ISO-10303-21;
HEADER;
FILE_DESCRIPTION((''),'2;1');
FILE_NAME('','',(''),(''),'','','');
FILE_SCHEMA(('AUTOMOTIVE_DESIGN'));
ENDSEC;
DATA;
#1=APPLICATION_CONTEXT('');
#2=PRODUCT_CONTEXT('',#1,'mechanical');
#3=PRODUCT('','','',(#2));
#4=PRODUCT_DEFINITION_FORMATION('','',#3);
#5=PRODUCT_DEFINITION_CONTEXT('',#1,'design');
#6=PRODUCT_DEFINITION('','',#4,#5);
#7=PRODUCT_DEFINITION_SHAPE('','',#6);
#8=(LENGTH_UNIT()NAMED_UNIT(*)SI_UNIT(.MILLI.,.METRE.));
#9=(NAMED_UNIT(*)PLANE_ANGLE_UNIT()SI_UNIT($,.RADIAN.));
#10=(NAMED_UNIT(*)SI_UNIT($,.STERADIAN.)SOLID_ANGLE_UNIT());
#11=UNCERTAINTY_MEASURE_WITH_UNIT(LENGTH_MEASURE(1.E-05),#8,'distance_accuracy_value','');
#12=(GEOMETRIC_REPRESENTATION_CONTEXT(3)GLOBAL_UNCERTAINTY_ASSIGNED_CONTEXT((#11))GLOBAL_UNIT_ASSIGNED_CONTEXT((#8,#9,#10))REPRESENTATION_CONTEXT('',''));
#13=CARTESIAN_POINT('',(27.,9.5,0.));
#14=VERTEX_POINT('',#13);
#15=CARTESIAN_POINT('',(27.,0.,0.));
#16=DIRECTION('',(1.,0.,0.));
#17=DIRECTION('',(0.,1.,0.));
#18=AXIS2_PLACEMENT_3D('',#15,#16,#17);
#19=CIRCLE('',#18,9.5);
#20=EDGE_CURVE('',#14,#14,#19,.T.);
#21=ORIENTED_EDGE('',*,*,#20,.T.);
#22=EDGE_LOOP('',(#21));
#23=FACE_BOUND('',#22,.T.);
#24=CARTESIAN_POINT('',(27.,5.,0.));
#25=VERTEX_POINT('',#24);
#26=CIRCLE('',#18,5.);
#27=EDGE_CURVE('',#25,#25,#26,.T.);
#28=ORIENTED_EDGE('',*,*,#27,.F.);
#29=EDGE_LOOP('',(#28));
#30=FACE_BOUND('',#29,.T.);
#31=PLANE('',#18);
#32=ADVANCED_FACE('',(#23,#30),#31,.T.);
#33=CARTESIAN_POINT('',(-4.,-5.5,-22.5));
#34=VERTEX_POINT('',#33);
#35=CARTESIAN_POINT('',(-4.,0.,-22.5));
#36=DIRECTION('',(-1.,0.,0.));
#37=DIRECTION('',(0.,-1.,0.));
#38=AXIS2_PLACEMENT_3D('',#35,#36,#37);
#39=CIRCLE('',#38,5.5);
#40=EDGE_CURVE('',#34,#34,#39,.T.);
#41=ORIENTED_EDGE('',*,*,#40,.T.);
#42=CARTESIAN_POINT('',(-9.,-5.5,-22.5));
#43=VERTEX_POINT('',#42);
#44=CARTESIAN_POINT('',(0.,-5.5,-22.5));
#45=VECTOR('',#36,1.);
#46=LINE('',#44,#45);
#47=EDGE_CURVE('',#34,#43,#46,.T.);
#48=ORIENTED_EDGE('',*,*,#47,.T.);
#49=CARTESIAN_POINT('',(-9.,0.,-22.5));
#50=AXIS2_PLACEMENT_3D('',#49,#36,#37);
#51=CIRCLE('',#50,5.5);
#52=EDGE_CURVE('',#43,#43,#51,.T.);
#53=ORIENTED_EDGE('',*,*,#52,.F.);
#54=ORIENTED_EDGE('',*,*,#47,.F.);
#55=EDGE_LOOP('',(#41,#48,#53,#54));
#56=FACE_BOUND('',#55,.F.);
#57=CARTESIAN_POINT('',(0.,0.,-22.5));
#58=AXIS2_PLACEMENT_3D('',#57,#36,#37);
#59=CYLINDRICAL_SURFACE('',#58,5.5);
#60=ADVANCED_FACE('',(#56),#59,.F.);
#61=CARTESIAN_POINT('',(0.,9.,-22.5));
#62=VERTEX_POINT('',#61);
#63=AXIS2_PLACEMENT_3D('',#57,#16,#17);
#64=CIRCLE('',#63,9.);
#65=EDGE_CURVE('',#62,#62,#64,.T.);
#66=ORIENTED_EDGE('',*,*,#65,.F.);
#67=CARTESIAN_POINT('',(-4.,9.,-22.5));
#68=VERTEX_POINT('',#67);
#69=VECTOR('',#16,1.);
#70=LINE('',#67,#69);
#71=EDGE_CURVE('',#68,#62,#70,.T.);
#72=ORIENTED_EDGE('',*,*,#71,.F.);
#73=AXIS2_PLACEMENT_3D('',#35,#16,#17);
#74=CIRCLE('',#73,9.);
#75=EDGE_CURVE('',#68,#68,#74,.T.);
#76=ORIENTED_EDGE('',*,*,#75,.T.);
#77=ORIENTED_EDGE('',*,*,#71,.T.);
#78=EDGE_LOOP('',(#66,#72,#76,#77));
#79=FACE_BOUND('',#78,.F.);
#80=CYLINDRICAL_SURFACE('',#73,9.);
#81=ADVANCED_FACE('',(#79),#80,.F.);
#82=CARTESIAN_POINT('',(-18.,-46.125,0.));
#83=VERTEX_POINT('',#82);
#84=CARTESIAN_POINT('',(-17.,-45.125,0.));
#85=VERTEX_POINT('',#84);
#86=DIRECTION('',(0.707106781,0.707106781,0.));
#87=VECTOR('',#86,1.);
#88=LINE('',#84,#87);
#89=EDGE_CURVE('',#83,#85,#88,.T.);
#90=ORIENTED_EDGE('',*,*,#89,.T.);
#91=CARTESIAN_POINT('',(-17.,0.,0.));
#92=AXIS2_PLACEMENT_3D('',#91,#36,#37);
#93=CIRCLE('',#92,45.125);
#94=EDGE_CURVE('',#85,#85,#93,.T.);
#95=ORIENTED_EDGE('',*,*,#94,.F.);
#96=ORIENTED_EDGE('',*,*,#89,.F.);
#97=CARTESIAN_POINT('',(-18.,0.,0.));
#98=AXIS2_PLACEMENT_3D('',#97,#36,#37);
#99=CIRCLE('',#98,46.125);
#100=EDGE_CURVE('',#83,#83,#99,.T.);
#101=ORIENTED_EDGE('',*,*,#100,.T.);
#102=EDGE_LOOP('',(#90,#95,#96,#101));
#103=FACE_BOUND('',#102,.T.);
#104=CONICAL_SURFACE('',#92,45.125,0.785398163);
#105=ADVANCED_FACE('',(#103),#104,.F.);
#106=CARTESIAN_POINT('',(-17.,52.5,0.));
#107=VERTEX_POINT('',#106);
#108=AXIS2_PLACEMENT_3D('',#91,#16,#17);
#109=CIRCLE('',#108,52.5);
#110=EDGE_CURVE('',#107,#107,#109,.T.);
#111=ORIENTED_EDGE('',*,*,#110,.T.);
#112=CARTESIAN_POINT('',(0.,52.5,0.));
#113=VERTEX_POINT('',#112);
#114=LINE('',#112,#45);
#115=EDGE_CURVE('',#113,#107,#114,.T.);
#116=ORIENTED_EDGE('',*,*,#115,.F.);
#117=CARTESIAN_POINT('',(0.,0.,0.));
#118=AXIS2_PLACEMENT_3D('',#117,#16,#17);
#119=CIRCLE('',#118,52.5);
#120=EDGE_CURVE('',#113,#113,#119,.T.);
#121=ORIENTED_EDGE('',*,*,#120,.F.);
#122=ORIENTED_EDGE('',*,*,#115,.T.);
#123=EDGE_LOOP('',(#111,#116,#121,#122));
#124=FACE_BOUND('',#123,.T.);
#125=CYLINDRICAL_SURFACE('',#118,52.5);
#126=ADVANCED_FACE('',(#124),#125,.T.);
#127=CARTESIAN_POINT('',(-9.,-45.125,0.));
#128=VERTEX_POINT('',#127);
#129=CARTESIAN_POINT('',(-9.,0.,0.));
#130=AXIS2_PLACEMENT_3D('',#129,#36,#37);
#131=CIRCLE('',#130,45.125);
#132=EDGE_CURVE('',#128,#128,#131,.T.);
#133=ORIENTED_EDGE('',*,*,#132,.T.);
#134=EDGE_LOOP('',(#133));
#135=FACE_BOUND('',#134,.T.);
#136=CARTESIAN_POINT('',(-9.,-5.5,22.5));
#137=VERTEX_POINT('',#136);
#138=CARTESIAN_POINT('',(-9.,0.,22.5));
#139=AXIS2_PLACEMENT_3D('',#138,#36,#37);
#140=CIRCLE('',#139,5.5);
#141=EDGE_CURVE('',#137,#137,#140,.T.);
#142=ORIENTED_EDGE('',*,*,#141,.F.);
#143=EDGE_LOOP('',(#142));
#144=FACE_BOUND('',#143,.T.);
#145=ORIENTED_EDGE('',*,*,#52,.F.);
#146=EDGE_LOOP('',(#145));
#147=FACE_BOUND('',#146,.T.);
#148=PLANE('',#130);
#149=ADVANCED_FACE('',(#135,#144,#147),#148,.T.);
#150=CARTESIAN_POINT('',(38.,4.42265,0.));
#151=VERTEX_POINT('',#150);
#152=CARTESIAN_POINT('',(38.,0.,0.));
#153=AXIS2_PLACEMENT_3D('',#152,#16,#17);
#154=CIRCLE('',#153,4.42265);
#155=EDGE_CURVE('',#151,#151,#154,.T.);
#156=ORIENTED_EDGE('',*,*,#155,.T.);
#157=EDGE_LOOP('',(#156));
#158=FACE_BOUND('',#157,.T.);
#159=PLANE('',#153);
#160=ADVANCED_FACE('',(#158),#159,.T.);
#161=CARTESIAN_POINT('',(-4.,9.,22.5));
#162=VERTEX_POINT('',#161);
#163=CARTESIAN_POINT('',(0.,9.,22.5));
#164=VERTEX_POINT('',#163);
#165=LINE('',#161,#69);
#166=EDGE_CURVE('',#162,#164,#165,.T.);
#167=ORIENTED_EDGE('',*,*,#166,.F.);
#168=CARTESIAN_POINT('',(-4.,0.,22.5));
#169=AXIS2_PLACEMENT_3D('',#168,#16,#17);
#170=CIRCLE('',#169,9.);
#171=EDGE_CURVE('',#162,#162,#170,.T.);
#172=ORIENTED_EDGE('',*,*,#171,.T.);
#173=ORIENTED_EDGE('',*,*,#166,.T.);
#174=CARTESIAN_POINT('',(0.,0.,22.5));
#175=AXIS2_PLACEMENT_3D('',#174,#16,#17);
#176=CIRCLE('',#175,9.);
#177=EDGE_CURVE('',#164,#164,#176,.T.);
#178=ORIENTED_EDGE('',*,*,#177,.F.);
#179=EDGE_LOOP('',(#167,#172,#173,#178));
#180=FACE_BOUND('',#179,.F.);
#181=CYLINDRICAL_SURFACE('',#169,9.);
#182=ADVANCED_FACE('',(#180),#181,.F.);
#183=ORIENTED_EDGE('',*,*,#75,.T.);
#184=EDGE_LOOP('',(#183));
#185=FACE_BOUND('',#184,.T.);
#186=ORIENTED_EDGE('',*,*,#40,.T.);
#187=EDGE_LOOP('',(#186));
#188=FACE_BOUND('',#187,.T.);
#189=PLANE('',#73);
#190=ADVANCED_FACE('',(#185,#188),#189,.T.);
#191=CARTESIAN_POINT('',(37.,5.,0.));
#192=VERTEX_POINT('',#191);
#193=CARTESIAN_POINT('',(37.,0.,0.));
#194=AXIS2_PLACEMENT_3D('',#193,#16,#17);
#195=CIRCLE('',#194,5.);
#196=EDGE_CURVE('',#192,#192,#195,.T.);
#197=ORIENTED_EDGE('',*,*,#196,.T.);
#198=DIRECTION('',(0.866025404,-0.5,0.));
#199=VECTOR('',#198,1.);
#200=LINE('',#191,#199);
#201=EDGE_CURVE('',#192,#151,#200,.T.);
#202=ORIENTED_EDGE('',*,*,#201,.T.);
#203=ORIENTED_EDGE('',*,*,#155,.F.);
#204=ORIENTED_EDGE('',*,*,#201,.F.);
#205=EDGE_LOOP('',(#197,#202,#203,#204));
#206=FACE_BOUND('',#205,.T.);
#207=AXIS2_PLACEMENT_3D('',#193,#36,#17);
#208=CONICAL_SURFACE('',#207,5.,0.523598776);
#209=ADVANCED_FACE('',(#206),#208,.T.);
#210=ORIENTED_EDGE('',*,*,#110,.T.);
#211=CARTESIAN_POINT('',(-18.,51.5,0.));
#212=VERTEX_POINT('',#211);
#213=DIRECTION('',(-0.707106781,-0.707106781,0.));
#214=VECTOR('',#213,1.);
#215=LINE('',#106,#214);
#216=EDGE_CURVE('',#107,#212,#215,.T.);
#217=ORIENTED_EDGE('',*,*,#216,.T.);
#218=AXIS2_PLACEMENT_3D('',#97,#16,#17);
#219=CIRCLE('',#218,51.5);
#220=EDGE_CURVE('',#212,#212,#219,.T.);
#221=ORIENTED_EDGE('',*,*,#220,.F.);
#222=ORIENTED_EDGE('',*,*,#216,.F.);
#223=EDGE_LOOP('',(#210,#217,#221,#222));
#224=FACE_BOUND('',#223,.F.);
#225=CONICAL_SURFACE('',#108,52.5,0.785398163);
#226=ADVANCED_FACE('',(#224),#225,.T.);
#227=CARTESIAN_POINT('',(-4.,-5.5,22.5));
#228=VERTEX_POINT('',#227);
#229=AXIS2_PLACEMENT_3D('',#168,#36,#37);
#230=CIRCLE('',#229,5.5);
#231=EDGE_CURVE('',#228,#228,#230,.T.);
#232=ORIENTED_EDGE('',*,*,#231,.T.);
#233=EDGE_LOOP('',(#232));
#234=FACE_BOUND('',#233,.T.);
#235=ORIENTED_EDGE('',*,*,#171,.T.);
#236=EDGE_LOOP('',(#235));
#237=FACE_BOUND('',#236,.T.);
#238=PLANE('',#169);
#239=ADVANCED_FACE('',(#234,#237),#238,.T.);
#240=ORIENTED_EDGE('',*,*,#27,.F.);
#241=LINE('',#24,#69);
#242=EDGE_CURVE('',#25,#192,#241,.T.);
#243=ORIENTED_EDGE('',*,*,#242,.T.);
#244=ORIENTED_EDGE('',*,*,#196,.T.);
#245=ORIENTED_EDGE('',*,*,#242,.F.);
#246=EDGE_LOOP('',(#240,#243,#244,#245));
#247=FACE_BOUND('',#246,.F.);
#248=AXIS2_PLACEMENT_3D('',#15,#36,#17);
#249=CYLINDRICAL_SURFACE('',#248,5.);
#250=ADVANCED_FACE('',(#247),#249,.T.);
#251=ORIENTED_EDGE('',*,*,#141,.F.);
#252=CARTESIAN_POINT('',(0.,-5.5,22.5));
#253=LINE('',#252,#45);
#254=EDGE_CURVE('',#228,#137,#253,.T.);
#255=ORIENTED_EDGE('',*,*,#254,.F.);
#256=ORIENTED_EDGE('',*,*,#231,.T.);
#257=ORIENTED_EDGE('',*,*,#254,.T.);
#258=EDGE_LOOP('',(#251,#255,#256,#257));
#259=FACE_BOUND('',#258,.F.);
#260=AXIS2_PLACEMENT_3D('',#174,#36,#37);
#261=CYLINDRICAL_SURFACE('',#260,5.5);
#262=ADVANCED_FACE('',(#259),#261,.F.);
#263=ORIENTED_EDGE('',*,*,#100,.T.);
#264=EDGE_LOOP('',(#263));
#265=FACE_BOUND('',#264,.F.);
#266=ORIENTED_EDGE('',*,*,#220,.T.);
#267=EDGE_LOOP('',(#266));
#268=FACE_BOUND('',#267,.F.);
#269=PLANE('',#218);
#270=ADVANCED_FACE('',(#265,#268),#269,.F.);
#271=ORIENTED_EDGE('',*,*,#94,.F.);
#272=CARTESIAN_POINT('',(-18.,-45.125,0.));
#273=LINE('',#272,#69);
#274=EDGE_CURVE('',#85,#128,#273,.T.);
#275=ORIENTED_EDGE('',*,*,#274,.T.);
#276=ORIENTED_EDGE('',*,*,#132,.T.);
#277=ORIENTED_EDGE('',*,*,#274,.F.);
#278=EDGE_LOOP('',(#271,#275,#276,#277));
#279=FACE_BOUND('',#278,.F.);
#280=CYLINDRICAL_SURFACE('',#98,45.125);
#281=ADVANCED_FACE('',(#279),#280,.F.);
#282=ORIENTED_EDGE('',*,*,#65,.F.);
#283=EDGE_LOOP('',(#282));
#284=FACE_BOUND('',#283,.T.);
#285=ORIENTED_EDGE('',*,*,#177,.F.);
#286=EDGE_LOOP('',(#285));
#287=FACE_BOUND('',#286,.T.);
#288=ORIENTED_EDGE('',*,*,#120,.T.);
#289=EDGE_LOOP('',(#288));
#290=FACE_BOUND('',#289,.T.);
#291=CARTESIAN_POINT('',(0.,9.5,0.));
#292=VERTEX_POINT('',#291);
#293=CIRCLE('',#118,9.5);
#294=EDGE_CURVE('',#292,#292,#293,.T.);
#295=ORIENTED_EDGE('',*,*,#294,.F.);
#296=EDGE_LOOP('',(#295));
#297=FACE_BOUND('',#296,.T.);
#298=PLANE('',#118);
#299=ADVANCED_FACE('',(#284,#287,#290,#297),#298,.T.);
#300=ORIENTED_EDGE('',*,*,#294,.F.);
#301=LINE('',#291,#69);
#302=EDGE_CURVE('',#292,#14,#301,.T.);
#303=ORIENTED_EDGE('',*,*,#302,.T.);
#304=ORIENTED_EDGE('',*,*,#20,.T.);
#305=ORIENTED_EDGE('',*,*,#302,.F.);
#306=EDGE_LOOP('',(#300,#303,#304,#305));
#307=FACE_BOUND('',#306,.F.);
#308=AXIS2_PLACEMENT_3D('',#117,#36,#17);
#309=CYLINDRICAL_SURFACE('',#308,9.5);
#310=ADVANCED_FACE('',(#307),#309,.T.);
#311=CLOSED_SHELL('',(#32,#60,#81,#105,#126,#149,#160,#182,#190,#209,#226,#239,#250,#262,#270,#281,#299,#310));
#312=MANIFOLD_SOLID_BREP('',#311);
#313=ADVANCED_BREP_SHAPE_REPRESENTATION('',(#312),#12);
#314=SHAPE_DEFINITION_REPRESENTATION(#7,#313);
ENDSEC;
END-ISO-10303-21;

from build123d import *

# Parameters (mm, degrees)
F0_R            = 52.5
F1_DEPTH        = 18
F2_R            = 45.125
F3_DEPTH        = 9
F4_SIZE         = 1
F5_R            = 9.5
F6_DEPTH        = 27
F7_R            = 5
F8_DEPTH        = 11
F9_SIZE2        = 0.5773502692
F9_SIZE         = 1
F11_D           = 11
F11_CBORE_D     = 18
F11_CBORE_DEPTH = 4


with BuildPart() as f1:
    # F0 (on Right) → F1 (new body)
    with BuildSketch(Plane.YZ):
        Circle(F0_R)
    extrude(amount=-F1_DEPTH)

    # F2 (on face) → F3 (cut)
    with BuildSketch(Plane(origin=(-18, 0, 0), x_dir=(0, -1, 0), z_dir=(-1, 0, 0))):
        Circle(F2_R)
    extrude(amount=-F3_DEPTH, mode=Mode.SUBTRACT)

    # F4
    f4_edges = [f1.edges().sort_by_distance(p)[0] for p in [
        (-18, -52.5, 0),
        (-18, 45.125, 0),
    ]]
    chamfer(f4_edges, length=F4_SIZE)

    # F5 (on face) → F6 (join)
    with BuildSketch(Plane.YZ):
        Circle(F5_R)
    extrude(amount=F6_DEPTH)

    # F7 (on face) → F8 (join)
    with BuildSketch(Plane.YZ.offset(27)):
        Circle(F7_R)
    extrude(amount=F8_DEPTH)

    # F9
    f9_edges = [f1.edges().sort_by_distance(p)[0] for p in [
        (38, -5, 0),
    ]]
    f9_side = f1.faces().sort_by_distance((32.5, -5, 0))[0]
    chamfer(f9_edges, length=F9_SIZE, length2=F9_SIZE2, reference=f9_side)

    # F11 (through all)
    with Locations(Plane.YZ):
        with Locations((0, -22.5), (0, 22.5)):
            CounterBoreHole(F11_D / 2, F11_CBORE_D / 2, F11_CBORE_DEPTH)


solid = f1.part
